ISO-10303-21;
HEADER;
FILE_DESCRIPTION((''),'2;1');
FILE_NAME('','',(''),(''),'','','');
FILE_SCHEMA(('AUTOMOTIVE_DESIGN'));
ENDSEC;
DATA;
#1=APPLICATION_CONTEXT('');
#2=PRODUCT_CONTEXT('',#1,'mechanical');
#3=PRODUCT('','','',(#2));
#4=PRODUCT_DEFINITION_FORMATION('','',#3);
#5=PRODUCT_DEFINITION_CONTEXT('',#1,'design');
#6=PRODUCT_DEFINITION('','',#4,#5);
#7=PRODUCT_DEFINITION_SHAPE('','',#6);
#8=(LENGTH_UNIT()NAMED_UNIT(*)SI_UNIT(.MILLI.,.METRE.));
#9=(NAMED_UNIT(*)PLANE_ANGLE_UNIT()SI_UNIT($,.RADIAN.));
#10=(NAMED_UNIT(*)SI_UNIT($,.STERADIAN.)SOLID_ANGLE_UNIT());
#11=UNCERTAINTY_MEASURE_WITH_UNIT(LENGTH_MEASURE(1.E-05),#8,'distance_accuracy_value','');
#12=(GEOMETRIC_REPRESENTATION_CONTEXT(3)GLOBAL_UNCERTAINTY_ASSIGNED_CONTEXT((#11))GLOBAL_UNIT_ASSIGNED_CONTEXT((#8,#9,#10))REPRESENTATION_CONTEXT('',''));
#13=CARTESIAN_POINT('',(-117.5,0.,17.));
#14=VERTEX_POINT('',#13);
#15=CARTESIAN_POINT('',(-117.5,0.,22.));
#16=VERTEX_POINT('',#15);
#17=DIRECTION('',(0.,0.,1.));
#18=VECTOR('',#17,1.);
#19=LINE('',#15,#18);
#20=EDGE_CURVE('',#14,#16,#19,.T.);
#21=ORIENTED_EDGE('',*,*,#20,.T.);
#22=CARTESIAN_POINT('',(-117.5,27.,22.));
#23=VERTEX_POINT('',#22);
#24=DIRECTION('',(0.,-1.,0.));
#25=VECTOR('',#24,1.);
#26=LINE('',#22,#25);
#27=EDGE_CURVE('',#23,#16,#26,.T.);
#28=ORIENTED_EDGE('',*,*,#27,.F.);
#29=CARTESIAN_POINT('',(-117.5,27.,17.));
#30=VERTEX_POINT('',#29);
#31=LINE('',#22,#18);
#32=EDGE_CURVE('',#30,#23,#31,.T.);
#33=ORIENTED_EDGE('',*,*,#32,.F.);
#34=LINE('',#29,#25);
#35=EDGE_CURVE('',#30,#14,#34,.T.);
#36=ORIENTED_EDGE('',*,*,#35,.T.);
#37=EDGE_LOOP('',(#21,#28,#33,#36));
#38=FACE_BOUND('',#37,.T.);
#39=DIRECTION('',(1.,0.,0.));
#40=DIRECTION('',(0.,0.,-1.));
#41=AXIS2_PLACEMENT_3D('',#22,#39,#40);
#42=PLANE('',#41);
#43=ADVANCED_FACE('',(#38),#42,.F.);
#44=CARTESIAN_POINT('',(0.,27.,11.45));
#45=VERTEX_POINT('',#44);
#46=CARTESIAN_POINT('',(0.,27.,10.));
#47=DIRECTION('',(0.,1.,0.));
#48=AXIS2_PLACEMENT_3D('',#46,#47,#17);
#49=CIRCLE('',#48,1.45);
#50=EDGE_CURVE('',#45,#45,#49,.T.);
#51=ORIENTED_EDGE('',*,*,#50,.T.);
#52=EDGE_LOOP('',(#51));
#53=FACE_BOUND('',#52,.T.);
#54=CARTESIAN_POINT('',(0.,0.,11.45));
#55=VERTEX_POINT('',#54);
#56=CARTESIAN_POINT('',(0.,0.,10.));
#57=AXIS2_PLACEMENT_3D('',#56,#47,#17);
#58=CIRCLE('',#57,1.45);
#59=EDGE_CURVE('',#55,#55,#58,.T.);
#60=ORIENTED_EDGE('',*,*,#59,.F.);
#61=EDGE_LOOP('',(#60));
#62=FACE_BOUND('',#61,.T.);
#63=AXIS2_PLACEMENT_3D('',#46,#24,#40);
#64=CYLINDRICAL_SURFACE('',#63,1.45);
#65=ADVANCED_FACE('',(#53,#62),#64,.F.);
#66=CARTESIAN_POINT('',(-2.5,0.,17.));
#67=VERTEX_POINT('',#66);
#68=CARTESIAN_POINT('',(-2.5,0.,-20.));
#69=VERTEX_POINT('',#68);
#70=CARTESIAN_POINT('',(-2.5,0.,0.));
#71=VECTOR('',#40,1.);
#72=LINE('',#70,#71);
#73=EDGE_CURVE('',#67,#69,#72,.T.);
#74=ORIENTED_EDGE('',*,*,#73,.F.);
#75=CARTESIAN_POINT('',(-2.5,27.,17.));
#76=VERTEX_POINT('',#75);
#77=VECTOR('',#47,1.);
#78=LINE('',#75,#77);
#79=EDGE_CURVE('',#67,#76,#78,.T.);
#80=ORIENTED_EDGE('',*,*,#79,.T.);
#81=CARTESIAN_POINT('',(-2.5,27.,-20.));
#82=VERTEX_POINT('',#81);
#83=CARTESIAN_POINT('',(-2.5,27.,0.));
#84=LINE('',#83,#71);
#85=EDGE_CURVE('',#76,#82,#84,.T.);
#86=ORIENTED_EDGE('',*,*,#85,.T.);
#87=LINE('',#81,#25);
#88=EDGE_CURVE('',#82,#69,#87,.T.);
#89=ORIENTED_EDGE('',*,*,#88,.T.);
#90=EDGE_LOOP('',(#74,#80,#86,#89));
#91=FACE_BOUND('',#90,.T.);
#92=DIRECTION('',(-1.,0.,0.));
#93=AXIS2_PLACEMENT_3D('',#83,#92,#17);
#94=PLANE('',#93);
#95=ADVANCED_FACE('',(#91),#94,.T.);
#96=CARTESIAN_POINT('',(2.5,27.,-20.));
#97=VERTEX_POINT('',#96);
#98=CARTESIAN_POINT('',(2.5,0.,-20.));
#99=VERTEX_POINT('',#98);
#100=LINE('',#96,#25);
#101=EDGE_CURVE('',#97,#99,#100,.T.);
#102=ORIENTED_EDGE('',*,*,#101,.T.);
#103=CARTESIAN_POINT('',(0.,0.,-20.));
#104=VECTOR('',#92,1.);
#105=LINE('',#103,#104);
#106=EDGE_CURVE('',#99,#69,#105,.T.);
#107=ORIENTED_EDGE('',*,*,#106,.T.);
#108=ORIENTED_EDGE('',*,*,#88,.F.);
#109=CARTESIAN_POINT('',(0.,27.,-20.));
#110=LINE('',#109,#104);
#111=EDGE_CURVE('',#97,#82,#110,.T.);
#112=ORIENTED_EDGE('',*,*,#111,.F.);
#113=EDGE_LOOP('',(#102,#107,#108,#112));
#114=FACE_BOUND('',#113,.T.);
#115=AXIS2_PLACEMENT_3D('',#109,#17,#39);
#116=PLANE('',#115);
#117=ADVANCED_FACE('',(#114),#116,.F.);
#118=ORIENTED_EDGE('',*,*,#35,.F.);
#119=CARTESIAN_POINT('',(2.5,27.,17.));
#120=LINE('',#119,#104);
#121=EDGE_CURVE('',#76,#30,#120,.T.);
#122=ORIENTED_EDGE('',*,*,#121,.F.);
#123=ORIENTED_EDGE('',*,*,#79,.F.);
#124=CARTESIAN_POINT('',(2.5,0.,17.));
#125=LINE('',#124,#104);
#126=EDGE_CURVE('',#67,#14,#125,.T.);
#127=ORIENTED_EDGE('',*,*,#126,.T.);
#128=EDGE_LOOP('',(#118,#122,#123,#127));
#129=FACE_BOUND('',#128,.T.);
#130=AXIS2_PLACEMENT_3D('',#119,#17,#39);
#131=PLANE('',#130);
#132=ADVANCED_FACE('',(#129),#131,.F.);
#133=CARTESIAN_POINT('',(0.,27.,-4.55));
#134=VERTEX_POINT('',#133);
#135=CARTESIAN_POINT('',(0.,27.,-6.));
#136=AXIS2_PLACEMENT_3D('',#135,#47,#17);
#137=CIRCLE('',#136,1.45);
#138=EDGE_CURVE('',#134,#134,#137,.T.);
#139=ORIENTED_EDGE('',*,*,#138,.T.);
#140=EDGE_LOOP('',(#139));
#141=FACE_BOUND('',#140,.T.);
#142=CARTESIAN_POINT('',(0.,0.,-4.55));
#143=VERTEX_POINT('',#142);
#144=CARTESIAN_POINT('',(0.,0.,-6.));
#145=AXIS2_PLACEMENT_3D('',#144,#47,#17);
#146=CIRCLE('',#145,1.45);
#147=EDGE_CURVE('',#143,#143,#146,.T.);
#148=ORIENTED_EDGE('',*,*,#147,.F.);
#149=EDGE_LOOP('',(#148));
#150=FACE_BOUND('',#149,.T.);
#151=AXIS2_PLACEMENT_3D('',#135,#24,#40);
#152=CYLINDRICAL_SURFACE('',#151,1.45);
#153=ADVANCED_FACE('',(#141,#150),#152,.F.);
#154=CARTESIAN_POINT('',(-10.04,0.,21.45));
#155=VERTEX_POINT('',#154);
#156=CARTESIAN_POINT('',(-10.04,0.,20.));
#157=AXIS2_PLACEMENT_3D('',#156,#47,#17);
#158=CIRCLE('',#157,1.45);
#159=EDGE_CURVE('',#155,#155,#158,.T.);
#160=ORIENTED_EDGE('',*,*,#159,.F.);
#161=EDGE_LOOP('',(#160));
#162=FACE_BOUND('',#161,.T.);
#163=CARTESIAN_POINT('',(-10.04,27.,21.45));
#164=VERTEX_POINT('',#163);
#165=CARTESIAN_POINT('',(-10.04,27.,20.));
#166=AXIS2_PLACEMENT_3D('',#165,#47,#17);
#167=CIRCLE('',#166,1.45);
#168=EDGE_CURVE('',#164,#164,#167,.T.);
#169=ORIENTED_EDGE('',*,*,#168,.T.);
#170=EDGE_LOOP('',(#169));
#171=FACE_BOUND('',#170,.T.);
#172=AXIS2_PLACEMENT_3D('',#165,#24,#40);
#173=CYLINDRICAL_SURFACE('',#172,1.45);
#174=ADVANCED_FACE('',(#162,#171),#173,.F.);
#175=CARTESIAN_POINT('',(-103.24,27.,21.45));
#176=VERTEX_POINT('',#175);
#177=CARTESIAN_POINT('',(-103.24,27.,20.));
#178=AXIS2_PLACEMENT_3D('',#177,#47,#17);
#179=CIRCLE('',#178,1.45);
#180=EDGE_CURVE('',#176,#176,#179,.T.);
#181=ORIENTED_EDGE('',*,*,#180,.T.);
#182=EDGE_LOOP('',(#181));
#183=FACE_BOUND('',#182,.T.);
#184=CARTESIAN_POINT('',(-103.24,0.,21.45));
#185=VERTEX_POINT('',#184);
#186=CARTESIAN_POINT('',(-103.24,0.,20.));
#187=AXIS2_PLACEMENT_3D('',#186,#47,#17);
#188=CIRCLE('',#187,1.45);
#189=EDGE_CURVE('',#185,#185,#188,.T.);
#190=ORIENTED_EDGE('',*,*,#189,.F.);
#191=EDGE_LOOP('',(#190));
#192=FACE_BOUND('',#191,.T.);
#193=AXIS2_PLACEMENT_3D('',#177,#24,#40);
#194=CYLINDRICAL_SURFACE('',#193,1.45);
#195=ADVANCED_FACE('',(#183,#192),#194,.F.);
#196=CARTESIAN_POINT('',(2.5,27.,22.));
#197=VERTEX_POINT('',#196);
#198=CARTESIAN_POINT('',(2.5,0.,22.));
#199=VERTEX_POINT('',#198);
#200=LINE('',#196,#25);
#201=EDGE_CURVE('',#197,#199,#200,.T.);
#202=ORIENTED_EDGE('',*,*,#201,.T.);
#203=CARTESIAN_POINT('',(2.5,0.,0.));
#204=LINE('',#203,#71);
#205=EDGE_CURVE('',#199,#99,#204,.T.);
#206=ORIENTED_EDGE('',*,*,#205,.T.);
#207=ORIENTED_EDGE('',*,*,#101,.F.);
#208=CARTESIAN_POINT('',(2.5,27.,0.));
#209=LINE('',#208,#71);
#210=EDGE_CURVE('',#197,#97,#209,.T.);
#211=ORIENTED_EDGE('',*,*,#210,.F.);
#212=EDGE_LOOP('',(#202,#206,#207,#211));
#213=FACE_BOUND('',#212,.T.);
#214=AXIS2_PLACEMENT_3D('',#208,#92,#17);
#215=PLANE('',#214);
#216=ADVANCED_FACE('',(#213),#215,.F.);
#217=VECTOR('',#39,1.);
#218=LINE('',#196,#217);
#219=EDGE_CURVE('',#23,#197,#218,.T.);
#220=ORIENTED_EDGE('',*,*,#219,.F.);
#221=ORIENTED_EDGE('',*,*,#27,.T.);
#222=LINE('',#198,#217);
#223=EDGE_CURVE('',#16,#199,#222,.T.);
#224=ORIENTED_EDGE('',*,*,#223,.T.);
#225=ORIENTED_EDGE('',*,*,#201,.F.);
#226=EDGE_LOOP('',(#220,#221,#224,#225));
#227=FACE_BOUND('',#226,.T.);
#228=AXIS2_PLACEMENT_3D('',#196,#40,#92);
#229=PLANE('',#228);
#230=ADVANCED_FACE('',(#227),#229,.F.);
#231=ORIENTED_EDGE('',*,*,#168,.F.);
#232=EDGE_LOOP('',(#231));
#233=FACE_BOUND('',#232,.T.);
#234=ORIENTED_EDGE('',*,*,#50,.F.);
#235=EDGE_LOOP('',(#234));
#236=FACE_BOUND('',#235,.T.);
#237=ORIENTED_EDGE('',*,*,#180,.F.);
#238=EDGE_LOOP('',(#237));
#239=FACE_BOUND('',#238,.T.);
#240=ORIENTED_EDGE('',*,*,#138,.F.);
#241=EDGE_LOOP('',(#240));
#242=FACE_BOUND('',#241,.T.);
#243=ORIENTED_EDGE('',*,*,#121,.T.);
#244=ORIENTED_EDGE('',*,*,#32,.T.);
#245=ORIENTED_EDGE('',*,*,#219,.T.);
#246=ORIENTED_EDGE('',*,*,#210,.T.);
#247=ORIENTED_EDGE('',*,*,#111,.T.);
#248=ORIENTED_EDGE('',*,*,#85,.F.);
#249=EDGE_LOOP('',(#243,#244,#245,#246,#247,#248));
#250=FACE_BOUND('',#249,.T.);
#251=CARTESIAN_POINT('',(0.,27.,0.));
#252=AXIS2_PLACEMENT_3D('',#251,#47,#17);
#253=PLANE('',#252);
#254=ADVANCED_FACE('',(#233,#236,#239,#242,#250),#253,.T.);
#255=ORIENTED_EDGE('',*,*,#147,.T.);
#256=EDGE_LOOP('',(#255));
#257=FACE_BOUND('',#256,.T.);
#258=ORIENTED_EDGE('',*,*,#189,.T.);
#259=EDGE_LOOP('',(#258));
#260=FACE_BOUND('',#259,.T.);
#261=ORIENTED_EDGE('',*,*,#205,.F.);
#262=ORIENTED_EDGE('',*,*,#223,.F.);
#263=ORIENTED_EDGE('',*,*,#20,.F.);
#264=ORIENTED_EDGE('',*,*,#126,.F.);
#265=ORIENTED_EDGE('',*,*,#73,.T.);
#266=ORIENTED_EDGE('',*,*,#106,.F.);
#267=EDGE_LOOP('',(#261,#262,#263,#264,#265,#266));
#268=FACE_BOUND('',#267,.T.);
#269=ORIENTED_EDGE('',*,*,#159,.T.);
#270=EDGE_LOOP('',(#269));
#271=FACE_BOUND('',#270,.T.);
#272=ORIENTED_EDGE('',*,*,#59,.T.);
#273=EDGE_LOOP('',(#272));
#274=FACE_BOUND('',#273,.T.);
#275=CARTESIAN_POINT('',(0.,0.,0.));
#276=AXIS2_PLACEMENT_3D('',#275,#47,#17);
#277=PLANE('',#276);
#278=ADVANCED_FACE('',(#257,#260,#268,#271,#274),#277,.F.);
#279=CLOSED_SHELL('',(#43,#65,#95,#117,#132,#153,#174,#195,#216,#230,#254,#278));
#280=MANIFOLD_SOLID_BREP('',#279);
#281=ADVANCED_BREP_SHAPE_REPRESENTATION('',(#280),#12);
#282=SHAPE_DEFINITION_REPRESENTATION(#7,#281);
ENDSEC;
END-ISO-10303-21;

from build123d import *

# Parameters (mm, degrees)
SKETCH_1_W      = 5
SKETCH_1_H      = 40
SKETCH_1_R      = 1.45
EXTRUDE_1_DEPTH = 27
SKETCH_2_W      = 120
SKETCH_2_H      = 5
SKETCH_2_R      = 1.45
EXTRUDE_2_DEPTH = 27


with BuildPart() as part:
    # 草图1 → 凸台-拉伸1 (new body)
    with BuildSketch(Plane(origin=(0, 0, 0), x_dir=(1, 0, 0), z_dir=(0, 1, 0))):
        Rectangle(SKETCH_1_W, SKETCH_1_H)
        with Locations(Location((0, 6, 0), (0, 0, 270))):
            Circle(SKETCH_1_R, mode=Mode.SUBTRACT)
        with Locations(Location((0, -10, 0), (0, 0, 270))):
            Circle(SKETCH_1_R, mode=Mode.SUBTRACT)
    extrude(amount=EXTRUDE_1_DEPTH)

    # 草图2 → 凸台-拉伸2 (add)
    with BuildSketch(Plane(origin=(0, 0, 0), x_dir=(1, 0, 0), z_dir=(0, 1, 0))):
        with Locations((-57.5, -19.5)):
            Rectangle(SKETCH_2_W, SKETCH_2_H)
        with Locations(Location((-10.04, -20, 0), (0, 0, 270))):
            Circle(SKETCH_2_R, mode=Mode.SUBTRACT)
        with Locations(Location((-103.24, -20, 0), (0, 0, 270))):
            Circle(SKETCH_2_R, mode=Mode.SUBTRACT)
    extrude(amount=EXTRUDE_2_DEPTH)


solid = part.part
